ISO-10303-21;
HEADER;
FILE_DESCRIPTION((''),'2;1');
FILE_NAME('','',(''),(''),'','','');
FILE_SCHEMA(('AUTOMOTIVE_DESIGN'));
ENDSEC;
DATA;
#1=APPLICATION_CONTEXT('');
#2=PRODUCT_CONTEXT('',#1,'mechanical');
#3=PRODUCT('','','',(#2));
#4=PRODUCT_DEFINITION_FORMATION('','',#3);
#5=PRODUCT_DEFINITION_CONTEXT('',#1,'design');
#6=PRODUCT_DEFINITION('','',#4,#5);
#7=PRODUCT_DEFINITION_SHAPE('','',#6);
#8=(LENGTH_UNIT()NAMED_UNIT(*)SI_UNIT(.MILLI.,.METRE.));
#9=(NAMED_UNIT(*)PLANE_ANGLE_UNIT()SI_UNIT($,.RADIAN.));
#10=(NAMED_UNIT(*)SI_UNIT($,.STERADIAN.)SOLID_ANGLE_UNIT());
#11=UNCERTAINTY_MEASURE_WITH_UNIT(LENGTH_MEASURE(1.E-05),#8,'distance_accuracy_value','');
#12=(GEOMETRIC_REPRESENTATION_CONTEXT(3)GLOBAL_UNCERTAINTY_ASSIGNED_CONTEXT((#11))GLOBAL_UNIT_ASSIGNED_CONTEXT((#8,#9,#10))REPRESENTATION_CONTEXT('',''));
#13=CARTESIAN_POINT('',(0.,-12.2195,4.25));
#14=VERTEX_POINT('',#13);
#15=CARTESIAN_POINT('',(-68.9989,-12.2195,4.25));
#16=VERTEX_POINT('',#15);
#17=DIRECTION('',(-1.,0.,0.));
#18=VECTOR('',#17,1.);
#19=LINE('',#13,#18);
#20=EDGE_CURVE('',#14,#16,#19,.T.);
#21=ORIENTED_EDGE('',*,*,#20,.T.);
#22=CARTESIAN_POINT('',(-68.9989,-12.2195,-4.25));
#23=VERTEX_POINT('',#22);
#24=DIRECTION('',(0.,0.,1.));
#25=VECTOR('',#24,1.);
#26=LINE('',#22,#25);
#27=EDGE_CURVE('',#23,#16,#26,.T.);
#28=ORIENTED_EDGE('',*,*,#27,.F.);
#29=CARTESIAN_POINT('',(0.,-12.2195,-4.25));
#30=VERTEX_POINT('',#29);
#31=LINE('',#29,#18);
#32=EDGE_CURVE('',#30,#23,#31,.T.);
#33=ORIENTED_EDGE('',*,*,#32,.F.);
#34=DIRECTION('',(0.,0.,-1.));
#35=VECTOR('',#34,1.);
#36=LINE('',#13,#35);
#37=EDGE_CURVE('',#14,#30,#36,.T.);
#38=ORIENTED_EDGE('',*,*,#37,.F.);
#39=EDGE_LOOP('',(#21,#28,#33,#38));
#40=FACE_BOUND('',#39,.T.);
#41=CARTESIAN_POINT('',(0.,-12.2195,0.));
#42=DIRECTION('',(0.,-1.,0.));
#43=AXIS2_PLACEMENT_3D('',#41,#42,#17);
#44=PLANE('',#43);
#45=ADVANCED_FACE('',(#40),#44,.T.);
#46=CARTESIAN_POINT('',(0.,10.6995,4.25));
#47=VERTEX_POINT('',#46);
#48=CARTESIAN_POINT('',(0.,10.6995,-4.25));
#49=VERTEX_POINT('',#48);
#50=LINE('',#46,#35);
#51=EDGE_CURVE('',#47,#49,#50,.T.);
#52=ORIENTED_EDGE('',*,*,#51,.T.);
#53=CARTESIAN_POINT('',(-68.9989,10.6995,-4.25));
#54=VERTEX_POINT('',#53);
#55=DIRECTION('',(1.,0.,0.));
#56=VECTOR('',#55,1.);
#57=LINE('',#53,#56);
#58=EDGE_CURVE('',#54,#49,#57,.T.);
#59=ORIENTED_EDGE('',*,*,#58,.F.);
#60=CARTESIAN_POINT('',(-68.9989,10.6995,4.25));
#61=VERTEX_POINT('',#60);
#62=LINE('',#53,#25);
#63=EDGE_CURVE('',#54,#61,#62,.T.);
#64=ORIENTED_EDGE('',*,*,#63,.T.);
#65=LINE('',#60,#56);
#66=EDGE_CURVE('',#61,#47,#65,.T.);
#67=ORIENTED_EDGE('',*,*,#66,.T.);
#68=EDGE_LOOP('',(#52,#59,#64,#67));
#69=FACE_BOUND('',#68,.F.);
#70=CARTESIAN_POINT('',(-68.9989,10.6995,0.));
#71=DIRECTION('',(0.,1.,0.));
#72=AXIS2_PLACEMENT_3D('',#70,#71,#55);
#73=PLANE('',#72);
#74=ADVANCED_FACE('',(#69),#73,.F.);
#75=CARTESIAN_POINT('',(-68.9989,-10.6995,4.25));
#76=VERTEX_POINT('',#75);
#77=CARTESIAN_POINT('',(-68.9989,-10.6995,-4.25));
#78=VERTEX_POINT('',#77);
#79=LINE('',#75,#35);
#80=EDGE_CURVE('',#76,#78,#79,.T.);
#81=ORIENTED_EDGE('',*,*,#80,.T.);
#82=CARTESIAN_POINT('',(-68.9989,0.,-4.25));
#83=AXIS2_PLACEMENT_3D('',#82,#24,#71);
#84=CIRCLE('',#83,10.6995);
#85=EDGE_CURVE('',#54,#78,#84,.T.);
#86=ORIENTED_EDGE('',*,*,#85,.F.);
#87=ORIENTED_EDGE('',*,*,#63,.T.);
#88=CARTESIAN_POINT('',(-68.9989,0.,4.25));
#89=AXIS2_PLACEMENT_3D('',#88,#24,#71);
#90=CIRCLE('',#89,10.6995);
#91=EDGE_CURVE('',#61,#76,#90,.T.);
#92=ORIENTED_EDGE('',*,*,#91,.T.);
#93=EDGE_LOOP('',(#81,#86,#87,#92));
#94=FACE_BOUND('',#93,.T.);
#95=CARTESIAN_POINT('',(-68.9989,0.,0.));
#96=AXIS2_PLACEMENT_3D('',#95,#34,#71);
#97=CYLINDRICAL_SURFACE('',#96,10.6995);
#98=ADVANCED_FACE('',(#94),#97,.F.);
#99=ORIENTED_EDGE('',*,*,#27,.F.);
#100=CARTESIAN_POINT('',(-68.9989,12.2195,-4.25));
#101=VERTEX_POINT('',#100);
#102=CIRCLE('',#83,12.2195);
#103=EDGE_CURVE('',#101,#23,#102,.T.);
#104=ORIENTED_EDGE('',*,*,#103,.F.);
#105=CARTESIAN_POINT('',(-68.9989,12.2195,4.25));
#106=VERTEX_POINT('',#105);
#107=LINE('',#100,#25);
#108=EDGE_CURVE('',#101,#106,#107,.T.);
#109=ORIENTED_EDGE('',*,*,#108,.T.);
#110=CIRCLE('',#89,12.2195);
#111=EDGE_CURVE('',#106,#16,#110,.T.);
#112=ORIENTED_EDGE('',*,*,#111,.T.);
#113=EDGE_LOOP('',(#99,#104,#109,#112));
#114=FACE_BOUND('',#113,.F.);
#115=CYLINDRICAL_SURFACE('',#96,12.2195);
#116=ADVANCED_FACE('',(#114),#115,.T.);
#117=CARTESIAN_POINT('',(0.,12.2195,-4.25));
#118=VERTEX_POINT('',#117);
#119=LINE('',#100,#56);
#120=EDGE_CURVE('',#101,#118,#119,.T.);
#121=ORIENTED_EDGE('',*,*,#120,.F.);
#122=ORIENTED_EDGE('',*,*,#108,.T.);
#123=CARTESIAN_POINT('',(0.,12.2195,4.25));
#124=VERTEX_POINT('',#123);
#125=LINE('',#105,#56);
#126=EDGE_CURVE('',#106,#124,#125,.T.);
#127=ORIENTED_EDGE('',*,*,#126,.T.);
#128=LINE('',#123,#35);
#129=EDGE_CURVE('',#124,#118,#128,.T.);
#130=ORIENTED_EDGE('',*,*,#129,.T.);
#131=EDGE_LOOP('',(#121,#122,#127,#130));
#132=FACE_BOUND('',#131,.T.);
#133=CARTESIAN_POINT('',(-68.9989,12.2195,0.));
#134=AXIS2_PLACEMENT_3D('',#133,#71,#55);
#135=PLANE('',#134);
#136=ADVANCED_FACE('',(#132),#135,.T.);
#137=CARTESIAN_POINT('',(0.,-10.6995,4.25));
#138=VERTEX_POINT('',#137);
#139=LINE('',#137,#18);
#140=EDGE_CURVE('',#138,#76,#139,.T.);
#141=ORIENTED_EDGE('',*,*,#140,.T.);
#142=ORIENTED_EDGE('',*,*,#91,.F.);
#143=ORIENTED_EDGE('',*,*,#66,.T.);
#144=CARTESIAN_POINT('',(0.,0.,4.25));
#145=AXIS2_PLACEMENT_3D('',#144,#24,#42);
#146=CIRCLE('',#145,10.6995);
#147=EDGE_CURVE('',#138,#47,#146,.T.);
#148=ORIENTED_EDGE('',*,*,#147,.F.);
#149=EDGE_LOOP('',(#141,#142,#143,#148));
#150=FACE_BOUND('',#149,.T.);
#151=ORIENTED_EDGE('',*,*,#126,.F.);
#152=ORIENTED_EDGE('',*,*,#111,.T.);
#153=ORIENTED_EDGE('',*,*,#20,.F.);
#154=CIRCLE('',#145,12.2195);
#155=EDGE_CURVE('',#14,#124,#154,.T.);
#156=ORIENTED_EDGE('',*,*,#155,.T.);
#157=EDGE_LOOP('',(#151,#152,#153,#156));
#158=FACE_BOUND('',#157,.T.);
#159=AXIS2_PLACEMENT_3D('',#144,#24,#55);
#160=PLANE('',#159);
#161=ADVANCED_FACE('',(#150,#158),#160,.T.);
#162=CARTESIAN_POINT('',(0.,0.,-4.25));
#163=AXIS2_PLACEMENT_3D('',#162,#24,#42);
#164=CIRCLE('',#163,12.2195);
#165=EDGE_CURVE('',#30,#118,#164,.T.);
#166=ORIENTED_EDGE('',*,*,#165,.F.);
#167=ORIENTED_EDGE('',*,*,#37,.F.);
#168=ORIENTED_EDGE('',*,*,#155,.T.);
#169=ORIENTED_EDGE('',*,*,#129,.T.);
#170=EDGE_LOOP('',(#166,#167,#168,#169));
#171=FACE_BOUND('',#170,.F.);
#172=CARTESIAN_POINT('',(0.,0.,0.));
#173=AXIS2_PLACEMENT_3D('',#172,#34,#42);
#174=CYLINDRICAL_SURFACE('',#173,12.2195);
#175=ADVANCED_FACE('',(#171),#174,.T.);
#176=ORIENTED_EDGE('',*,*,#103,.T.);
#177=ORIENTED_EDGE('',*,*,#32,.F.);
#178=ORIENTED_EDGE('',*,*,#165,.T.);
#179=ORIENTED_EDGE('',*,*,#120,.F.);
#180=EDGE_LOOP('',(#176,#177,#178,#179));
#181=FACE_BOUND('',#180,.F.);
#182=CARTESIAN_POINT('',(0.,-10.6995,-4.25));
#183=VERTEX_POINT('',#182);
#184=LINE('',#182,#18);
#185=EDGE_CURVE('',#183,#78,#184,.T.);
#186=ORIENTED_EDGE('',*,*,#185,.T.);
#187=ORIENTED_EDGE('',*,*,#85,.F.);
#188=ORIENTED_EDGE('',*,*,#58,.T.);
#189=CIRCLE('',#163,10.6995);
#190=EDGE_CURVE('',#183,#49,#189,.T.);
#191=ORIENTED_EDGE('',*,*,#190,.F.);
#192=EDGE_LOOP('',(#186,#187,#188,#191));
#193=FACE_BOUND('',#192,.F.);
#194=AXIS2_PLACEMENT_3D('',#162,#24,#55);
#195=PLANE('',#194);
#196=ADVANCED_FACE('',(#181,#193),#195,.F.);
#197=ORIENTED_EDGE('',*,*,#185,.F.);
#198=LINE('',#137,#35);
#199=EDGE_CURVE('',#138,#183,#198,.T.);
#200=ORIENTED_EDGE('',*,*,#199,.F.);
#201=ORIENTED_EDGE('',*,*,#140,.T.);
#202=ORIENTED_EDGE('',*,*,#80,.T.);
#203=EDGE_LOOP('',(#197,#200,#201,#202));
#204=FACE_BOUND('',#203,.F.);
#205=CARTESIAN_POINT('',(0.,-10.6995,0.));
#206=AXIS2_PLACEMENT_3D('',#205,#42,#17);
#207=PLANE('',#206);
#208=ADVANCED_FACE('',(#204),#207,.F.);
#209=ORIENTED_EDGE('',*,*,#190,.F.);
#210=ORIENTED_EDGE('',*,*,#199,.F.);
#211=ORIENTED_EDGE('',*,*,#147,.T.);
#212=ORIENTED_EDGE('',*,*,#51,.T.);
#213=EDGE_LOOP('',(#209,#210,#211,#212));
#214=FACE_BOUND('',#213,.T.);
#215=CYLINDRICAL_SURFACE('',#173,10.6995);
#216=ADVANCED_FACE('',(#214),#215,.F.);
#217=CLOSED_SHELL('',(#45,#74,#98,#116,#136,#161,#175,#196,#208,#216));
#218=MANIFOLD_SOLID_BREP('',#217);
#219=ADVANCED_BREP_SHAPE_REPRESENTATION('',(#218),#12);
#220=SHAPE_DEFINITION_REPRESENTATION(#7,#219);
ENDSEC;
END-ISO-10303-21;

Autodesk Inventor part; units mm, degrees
ref_plane "YZ Plane" through (0, 0, 0) normal (1, 0, 0) x (0, 1, 0)
ref_plane "XZ Plane" through (0, 0, 0) normal (0, 1, 0) x (-1, 0, 0)
ref_plane "XY Plane" through (0, 0, 0) normal (0, 0, 1) x (1, 0, 0)
sketch "Sketch1" plane through (0, 0, 0) normal (0, 0, 1) x (1, 0, 0)
  arc A0 (0, -11.4595) -> (0, 11.4595) centre (0, 0) ccw construction
  arc A1 (-68.9989, 11.4595) -> (-68.9989, -11.4595) centre (-68.9989, 0) ccw construction
  line L0 (0, -11.4595) -> (-68.9989, -11.4595) construction
  line L1 (0, 11.4595) -> (-68.9989, 11.4595) construction
  dimension "Belt_Teeth" = 70
  dimension "Belt_Pitch2" = 3
  dimension "d0" = 22.919
  dimension "d1" = 22.919
  dimension "d2" = 36.0011
  dimension "d3" = 36.0011
  dimension "Center_Distance" = 68.9989
  dimension "d5" = 68.9989
sketch "Sketch2" plane through (0, 0, 0) normal (0, 0, 1) x (1, 0, 0)
  line L0 (35.7235, 34.2567) -> (38.7235, 34.2567)
  point P0 (0, 0)
  dimension "Belt_Pitch2" = 3
sketch "Sketch4" plane through (0, 0, 0) normal (0, 0, 1) x (1, 0, 0)
  line L0 (-16.1422, -21.869) -> (-14.1422, -21.869)
  line L1 (-16.1422, -21.869) -> (-16.1422, -20.349)
  arc A0 (-15.5872, -20.904) -> (-16.1422, -20.349) centre (-16.1422, -20.904) ccw
  line L2 (-15.5872, -20.904) -> (-15.5872, -20.959)
  arc A1 (-15.5872, -20.959) -> (-15.4372, -21.109) centre (-15.4372, -20.959) ccw
  line L3 (-15.4372, -21.109) -> (-14.8472, -21.109)
  line L4 (-14.1422, -21.869) -> (-14.1422, -20.349)
  arc A2 (-14.1422, -20.349) -> (-14.6972, -20.904) centre (-14.1422, -20.904) ccw
  arc A3 (-14.8472, -21.109) -> (-14.6972, -20.959) centre (-14.8472, -20.959) ccw
  line L5 (-14.6972, -20.959) -> (-14.6972, -20.904)
  line L6 (0, 11.4595) -> (-68.9989, 11.4595) construction
  arc A4 (-68.9989, 11.4595) -> (-68.9989, -11.4595) centre (-68.9989, 0) ccw construction
  line L7 (0, -11.4595) -> (-68.9989, -11.4595) construction
  arc A5 (0, -11.4595) -> (0, 11.4595) centre (0, 0) ccw construction
  arc A6 (-68.9989, 12.2195) -> (-68.9989, -12.2195) centre (-68.9989, 0) ccw
  line L8 (-68.9989, 12.2195) -> (0, 12.2195)
  arc A7 (0, -12.2195) -> (0, 12.2195) centre (0, 0) ccw
  line L9 (0, -12.2195) -> (-68.9989, -12.2195)
  arc A8 (-68.9989, 10.6995) -> (-68.9989, -10.6995) centre (-68.9989, 0) ccw
  line L10 (-68.9989, 10.6995) -> (0, 10.6995)
  arc A9 (0, -10.6995) -> (0, 10.6995) centre (0, 0) ccw
  line L11 (0, -10.6995) -> (-68.9989, -10.6995)
  point P0 (-15.1422, -21.109)
  point P1 (-15.1422, -21.869)
  dimension "d9" = 2
  dimension "d10" = 1.52
  dimension "d11" = 0.76
  dimension "d12" = 0.555
  dimension "d13" = 0.555
  dimension "d14" = 0.15
  dimension "d15" = 0.15
  dimension "belt_thickness" = 1.52
  dimension "d44" = 0.76
extrude "Extrusion2" add sketch "Sketch4" along normal mid plane 8.5 contours L8 A7 L9 A6
sketch "Sketch5" plane through (0, 0, 4.25) normal (0, 0, 1) x (1, 0, 0)
  line L0 (-68.9989, 10.6995) -> (0, 10.6995) construction
  arc A0 (0, -10.6995) -> (0, 10.6995) centre (0, 0) ccw construction
  line L1 (0, -10.6995) -> (-68.9989, -10.6995) construction
  arc A1 (-68.9989, 10.6995) -> (-68.9989, -10.6995) centre (-68.9989, 0) ccw construction
  arc A2 (-68.9989, 12.2195) -> (-68.9989, -12.2195) centre (-68.9989, 0) ccw construction
  line L2 (-68.9989, -12.2195) -> (0, -12.2195) construction
  arc A3 (0, -12.2195) -> (0, 12.2195) centre (0, 0) ccw construction
  line L3 (0, 12.2195) -> (-68.9989, 12.2195) construction
  line L4 (-7.7556, -2.6989) -> (-5.7556, -2.6989)
  line L5 (-7.7556, -2.6989) -> (-7.7556, -1.1789) construction
  arc A4 (-7.2006, -1.7339) -> (-7.7556, -1.1789) centre (-7.7556, -1.7339) ccw
  line L6 (-7.2006, -1.7339) -> (-7.2006, -1.7889)
  arc A5 (-7.2006, -1.7889) -> (-7.0506, -1.9389) centre (-7.0506, -1.7889) ccw
  line L7 (-7.0506, -1.9389) -> (-6.4606, -1.9389)
  line L8 (-5.7556, -2.6989) -> (-5.7556, -1.1789)
  arc A6 (-5.7556, -1.1789) -> (-6.3106, -1.7339) centre (-5.7556, -1.7339) ccw
  arc A7 (-6.4606, -1.9389) -> (-6.3106, -1.7889) centre (-6.4606, -1.7889) ccw
  line L9 (-6.3106, -1.7889) -> (-6.3106, -1.7339)
  line L10 (-8.3106, -1.7339) -> (-8.3106, -1.7889)
  arc A8 (-7.7556, -1.1789) -> (-8.3106, -1.7339) centre (-7.7556, -1.7339) ccw
  arc A9 (-8.4606, -1.9389) -> (-8.3106, -1.7889) centre (-8.4606, -1.7889) ccw
  line L11 (-8.4606, -1.9389) -> (-9.0506, -1.9389)
  line L12 (-7.7556, -2.6989) -> (-9.7556, -2.6989)
  line L13 (-9.2006, -1.7889) -> (-9.2006, -1.7339)
  arc A10 (-9.2006, -1.7339) -> (-9.7556, -1.1789) centre (-9.7556, -1.7339) ccw
  line L14 (-9.7556, -2.6989) -> (-9.7556, -1.1789)
  arc A11 (-9.2006, -1.7889) -> (-9.0506, -1.9389) centre (-9.0506, -1.7889) ccw
  line L15 (-17.66, -0.8495) -> (-14.922, -0.8495) construction
  line L16 (-14.922, -0.8495) -> (-14.922, -2.3671) construction
  line L17 (-14.922, -2.3671) -> (-17.66, -2.3671) construction
  line L18 (-17.66, -2.3671) -> (-17.66, -0.8495) construction
  arc A12 (-15.6383, -1.7102) -> (-16.7483, -1.7102) centre (-16.1933, -1.7102) ccw construction
  line L19 (-16.7483, -1.7102) -> (-16.7483, -1.7652) construction
  arc A13 (-16.8983, -1.9152) -> (-16.7483, -1.7652) centre (-16.8983, -1.7652) ccw construction
  line L20 (-16.7483, -1.7102) -> (-16.7483, -1.9152) construction
  line L21 (-15.6383, -1.7102) -> (-15.6383, -1.9152) construction
  point P0 (-6.7556, -1.9389)
  point P1 (-6.7556, -2.6989)
  point P2 (-8.7556, -2.6989)
  point P3 (-8.7556, -1.9389)
  dimension "d22" = 2
  dimension "d23" = 1.52
  dimension "d24" = 0.76
  dimension "d25" = 0.555
  dimension "d26" = 0.555
  dimension "d27" = 0.15
  dimension "d28" = 0.15
  dimension "d29" = 0.76
  dimension "d30" = 1
  dimension "d31" = 2
  dimension "d32" = 0.59
  dimension "d34" = 0.555
  dimension "d35" = 0
  dimension "d36" = 0
  dimension "d37" = 0.15
  dimension "d38" = 0.055
  dimension "d39" = 0.055
  dimension "d40" = 0
  dimension "d41" = 0
  dimension "d42" = 0.205
  dimension "d43" = 0.205
equation "\"Belt_Teeth\" = 70"
equation "\"d13\" = d12"
equation "\"d15\" = d14"
equation "\"d44\" = 0.5 * belt_thickness"
equation "\"d26\" = d25"
equation "\"d28\" = d27"
equation "\"d30\" = 0.5 * d22"
equation "\"d31\" = d22"
equation "\"d43\" = d42"
equation "\"Belt_Pitch\" = 3"
equation "\"HTD_5mm\" = 5"
equation "\"GT2_3mm\" = 3"
equation "\"Center_Distance_Copy\" = Center_Distance"
properties part number "BELT" material "Rubber"
